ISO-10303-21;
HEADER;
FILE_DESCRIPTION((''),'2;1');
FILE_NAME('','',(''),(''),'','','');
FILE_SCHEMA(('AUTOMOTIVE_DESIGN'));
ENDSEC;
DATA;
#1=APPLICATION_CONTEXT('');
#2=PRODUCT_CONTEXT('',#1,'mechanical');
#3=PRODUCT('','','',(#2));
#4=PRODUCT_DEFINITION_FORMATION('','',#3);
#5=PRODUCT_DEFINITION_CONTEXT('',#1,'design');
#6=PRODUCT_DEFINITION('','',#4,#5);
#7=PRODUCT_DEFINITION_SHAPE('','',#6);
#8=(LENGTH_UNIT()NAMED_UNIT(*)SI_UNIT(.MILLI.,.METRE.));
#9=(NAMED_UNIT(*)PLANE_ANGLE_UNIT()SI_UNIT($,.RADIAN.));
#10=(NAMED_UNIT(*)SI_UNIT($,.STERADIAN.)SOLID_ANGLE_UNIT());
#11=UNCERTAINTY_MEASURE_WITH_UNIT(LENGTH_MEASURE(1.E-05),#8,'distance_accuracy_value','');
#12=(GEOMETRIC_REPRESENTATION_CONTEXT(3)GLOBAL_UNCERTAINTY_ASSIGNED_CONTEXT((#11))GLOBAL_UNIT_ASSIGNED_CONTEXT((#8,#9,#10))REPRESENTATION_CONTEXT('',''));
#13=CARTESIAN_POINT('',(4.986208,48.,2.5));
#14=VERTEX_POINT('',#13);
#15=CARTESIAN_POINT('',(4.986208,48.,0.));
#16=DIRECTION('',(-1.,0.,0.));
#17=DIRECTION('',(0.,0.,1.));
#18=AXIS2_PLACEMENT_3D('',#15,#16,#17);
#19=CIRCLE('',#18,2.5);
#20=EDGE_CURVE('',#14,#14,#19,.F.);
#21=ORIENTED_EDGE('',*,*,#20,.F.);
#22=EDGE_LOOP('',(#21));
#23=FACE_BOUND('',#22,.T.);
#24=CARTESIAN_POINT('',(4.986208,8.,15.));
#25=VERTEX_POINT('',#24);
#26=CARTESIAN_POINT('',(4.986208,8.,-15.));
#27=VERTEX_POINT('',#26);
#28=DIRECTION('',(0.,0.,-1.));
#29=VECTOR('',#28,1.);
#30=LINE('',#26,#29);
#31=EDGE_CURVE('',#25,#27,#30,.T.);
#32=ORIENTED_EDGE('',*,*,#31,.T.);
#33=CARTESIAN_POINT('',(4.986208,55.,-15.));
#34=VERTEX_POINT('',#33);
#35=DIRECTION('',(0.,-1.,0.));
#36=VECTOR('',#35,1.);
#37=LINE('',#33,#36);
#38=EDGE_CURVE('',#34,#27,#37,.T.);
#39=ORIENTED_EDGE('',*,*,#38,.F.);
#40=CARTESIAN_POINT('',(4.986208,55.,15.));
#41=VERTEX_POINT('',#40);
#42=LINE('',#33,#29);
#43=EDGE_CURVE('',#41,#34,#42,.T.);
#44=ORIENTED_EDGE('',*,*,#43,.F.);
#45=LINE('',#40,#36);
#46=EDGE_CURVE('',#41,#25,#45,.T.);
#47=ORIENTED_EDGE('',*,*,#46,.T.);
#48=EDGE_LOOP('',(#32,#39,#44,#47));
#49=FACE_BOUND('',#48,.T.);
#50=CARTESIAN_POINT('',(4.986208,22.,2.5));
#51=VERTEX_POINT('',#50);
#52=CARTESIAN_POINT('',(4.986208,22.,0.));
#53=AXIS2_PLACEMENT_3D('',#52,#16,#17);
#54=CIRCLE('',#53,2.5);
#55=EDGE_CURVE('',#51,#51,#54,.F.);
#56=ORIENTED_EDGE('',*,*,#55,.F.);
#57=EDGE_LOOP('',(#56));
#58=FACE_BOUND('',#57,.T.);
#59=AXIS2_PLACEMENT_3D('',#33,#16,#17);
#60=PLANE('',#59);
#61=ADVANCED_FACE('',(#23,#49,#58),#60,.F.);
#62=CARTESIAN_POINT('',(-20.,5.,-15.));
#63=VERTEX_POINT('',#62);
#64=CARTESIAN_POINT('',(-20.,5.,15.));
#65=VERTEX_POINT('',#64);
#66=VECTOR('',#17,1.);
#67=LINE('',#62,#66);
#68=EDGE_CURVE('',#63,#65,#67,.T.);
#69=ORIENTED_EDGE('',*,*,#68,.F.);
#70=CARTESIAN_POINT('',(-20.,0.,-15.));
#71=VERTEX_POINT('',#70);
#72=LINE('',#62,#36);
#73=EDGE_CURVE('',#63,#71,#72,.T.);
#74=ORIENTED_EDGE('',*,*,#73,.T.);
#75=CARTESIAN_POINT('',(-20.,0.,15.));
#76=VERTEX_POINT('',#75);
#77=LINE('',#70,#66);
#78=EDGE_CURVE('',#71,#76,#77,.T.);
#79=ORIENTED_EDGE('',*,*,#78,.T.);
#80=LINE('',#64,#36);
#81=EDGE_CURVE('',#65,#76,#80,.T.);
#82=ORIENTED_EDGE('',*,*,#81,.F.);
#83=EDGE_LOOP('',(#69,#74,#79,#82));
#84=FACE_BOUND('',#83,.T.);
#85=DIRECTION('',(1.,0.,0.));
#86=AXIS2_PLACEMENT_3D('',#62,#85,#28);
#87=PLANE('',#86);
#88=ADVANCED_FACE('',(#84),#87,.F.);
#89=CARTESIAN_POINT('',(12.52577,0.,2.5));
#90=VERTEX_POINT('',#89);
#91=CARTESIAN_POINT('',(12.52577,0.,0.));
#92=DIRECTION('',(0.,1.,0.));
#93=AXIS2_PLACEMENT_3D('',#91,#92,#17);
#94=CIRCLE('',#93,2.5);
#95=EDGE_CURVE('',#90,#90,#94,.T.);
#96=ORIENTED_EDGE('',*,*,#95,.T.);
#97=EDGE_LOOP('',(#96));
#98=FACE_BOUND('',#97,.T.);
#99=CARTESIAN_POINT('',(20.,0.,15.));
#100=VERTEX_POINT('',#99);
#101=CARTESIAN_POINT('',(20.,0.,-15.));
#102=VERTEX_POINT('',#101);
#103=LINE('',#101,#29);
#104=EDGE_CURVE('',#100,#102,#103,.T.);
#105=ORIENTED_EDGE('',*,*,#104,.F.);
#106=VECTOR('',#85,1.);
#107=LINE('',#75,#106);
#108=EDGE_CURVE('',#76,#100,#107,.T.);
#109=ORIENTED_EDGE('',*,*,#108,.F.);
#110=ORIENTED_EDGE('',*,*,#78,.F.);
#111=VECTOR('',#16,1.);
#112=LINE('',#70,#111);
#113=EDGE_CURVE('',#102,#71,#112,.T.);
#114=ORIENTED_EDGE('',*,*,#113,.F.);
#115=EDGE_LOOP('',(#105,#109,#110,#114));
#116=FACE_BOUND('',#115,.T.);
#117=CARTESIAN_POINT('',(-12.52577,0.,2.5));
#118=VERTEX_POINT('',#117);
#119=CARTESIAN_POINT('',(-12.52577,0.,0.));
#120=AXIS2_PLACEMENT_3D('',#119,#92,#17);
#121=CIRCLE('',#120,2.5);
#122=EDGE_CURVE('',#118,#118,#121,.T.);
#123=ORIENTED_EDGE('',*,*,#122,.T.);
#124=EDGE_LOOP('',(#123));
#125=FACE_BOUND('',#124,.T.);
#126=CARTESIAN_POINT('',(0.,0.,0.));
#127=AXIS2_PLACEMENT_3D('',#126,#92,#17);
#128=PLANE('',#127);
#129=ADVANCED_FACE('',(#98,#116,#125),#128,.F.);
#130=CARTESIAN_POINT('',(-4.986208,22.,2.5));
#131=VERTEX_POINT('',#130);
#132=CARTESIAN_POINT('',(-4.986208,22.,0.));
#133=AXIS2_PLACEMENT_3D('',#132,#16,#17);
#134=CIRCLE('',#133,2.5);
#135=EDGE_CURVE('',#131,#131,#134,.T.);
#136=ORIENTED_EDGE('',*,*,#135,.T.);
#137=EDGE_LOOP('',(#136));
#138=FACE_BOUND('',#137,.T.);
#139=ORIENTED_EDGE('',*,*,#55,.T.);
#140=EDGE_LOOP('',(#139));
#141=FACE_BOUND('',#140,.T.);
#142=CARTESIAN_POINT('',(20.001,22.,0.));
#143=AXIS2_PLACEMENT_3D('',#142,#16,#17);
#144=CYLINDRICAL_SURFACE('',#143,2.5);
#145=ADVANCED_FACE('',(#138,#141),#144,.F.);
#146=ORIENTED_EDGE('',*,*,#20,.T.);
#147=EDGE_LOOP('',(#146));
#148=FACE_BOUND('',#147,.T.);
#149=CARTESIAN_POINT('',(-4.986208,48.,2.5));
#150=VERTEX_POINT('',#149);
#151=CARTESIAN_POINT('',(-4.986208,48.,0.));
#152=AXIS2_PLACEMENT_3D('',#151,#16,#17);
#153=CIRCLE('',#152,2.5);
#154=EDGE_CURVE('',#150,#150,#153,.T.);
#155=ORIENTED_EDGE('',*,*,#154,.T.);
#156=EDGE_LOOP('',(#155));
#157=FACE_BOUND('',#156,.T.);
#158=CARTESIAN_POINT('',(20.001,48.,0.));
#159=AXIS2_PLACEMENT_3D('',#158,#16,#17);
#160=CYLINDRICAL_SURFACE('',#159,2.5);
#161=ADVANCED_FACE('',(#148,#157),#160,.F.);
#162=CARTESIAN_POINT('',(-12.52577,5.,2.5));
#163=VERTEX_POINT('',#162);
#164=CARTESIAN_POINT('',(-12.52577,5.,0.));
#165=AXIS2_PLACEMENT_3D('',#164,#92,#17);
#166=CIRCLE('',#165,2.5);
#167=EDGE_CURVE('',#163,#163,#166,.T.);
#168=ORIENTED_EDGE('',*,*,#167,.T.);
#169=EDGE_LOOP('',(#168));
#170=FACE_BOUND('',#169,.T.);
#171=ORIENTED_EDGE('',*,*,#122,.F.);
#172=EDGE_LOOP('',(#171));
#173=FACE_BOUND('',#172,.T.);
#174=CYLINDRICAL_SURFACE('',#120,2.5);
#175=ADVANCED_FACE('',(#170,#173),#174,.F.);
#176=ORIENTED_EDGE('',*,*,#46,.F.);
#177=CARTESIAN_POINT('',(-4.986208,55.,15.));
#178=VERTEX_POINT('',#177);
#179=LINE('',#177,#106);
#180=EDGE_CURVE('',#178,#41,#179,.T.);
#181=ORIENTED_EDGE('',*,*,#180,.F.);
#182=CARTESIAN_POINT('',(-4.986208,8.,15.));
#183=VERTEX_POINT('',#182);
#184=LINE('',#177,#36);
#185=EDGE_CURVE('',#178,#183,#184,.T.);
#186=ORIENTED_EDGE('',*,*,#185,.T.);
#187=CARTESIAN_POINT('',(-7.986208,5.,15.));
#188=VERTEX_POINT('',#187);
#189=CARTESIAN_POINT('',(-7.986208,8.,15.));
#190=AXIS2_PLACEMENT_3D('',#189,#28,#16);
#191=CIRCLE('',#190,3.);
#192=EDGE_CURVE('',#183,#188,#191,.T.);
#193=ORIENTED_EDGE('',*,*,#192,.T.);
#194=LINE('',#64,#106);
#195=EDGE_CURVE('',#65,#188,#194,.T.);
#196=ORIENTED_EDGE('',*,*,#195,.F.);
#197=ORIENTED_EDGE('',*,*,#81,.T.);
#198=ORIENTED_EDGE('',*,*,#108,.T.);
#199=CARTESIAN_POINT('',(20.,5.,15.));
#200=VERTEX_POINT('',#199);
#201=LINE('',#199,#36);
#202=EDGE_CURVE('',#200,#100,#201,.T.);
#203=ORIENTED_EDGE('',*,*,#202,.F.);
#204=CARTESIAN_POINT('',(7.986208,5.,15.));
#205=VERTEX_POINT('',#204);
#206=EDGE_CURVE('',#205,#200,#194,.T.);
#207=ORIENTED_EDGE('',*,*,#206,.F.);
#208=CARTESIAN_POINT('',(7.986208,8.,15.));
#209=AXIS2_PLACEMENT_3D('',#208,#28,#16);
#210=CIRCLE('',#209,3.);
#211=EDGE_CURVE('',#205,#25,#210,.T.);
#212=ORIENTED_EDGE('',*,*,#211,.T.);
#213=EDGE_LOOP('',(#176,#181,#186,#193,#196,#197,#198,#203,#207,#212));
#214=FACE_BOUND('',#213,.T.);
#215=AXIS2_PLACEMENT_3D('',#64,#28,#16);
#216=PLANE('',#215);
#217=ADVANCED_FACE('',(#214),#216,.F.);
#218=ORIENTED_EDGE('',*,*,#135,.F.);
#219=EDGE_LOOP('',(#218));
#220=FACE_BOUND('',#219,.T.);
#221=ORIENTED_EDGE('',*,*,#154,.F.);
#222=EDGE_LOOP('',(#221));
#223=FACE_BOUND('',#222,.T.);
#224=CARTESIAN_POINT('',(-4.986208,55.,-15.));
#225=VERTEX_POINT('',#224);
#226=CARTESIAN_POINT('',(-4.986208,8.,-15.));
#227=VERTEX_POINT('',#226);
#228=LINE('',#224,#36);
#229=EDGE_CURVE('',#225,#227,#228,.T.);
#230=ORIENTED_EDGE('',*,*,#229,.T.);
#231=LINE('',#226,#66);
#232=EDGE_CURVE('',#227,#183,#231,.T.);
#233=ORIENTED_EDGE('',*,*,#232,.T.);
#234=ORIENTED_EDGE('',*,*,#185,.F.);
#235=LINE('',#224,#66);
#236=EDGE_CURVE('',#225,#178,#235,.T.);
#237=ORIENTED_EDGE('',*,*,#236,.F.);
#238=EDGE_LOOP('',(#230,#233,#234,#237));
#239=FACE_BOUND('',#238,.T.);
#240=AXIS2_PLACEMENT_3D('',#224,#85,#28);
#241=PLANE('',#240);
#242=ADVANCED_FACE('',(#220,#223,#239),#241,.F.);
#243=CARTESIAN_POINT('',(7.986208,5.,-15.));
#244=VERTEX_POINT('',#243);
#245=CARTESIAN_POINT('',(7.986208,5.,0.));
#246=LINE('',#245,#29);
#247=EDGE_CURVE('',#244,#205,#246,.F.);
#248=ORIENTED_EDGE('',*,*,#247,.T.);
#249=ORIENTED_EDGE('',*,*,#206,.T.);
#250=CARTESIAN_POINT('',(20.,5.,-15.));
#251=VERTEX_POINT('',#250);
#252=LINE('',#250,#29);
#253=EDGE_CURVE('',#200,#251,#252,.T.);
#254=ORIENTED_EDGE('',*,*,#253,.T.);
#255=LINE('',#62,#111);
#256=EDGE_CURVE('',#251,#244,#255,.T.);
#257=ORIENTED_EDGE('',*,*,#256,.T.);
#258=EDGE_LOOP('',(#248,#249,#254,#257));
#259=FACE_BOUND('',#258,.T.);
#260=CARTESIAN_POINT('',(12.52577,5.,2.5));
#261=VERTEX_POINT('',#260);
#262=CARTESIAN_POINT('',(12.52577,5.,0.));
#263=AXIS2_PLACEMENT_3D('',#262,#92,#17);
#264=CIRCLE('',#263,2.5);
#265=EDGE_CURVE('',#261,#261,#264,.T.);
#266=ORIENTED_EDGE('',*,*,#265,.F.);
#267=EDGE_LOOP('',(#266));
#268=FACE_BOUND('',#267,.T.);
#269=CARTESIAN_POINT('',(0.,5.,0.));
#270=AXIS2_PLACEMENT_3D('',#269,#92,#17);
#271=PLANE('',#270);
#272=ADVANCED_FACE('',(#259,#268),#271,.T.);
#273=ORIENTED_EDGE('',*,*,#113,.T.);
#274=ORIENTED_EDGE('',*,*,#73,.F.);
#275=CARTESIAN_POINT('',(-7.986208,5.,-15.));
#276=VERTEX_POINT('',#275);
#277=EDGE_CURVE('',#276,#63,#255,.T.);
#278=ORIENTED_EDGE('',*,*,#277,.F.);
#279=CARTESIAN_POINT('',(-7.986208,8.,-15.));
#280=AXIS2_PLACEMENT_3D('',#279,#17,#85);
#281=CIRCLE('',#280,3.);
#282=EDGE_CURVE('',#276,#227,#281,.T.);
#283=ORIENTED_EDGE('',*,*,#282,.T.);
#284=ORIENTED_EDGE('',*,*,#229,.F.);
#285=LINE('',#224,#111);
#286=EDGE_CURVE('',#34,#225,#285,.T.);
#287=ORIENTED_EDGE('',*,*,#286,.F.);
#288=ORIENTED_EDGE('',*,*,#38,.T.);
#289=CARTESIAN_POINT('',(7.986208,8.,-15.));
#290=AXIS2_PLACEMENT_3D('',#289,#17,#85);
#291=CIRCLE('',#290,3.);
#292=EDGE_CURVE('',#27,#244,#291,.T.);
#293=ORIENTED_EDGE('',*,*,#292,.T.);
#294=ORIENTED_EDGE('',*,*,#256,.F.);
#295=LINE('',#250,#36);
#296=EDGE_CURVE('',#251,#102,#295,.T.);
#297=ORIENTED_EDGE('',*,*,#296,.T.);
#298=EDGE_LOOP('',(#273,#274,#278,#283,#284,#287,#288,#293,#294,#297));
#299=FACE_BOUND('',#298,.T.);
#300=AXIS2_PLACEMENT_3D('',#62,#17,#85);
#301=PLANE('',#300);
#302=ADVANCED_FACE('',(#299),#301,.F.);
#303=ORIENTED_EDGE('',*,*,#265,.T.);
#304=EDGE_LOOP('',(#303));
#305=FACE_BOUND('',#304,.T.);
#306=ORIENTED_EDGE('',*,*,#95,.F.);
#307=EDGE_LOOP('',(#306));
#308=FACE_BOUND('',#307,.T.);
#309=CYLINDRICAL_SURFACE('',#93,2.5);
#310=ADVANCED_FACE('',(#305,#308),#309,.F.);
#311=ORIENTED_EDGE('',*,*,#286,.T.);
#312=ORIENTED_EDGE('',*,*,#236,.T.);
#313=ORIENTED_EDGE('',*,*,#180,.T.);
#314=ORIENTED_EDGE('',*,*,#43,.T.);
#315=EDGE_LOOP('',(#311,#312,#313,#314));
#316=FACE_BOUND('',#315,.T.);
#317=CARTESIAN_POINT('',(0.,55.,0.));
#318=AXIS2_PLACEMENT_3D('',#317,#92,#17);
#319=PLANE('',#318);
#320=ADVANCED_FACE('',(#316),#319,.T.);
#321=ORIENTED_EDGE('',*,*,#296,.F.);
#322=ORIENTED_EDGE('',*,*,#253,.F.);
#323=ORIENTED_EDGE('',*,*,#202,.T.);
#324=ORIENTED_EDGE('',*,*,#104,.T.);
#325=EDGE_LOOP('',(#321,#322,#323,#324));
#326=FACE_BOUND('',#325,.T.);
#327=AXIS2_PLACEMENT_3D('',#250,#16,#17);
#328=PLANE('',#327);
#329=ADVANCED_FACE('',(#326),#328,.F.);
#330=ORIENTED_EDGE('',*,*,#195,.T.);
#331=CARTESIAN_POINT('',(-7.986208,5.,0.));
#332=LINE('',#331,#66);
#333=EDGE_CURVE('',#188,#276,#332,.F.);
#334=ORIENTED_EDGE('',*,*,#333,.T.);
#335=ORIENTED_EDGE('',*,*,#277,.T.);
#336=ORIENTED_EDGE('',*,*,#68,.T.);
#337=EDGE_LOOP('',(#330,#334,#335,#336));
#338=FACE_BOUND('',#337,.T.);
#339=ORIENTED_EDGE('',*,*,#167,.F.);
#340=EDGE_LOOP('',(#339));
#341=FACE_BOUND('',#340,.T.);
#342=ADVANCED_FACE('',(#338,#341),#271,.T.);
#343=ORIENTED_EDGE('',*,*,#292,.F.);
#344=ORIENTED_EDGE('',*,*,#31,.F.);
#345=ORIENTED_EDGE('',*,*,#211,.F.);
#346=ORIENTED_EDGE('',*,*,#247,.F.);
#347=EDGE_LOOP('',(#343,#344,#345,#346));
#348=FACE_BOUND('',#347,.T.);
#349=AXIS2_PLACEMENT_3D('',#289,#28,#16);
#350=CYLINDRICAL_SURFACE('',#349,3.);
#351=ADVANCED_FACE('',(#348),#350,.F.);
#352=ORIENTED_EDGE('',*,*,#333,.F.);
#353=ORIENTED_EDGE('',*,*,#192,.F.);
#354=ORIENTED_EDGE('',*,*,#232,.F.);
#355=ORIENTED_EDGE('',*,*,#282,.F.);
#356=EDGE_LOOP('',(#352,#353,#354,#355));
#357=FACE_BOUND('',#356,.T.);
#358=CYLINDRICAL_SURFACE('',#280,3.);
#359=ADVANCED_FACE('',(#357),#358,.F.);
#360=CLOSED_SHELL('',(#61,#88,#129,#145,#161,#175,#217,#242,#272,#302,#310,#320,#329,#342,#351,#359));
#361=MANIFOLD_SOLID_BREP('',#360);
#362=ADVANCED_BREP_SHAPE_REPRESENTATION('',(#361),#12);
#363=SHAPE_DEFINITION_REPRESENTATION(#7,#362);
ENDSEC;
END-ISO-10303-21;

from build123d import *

# Parameters (mm, degrees)
SKETCH1_W           = 40
SKETCH1_H           = 30
BOSS_EXTRUDE1_DEPTH = 5
SKETCH2_W           = 9.972415548
SKETCH2_H           = 30
BOSS_EXTRUDE2_DEPTH = 50
SKETCH3_R           = 2.5
CUT_EXTRUDE1_DEPTH  = 56.901699437
CUT_EXTRUDE2_REACH  = 64.244
SKETCH5_R           = 2.5
FILLET1_R           = 3


with BuildPart() as part:
    # Sketch1 → Boss-Extrude1 (new body)
    with BuildSketch(Plane(origin=(0, 0, 0), x_dir=(1, 0, 0), z_dir=(0, 1, 0))):
        Rectangle(SKETCH1_W, SKETCH1_H)
    extrude(amount=BOSS_EXTRUDE1_DEPTH)

    # Sketch2 → Boss-Extrude2 (add)
    with BuildSketch(Plane(origin=(0, 5, 0), x_dir=(1, 0, 0), z_dir=(0, 1, 0))):
        Rectangle(SKETCH2_W, SKETCH2_H)
    extrude(amount=BOSS_EXTRUDE2_DEPTH)

    # Sketch3 → Cut-Extrude1 (cut, through all)
    with BuildSketch(Plane(origin=(0, 5, 0), x_dir=(1, 0, 0), z_dir=(0, 1, 0))):
        with Locations(Location((-12.525769612, 0, 0), (0, 0, 270))):
            Circle(SKETCH3_R)
        with Locations(Location((12.525769612, 0, 0), (0, 0, 270))):
            Circle(SKETCH3_R)
    extrude(amount=-CUT_EXTRUDE1_DEPTH, mode=Mode.SUBTRACT)

    # Sketch5 → Cut-Extrude2 (cut, up to next)
    with BuildSketch(Plane.ZY.offset(4.986207774), mode=Mode.PRIVATE) as cut_extrude2_sk1:
        with Locations((0, 48)):
            Circle(SKETCH5_R)
    cut_extrude2_tool1 = extrude(cut_extrude2_sk1.sketch, amount=-CUT_EXTRUDE2_REACH, mode=Mode.PRIVATE) & part.part
    # Sketch5 → Cut-Extrude2 (cut, up to next)
    with BuildSketch(Plane.ZY.offset(4.986207774), mode=Mode.PRIVATE) as cut_extrude2_sk2:
        with Locations((0, 22)):
            Circle(SKETCH5_R)
    cut_extrude2_tool2 = extrude(cut_extrude2_sk2.sketch, amount=-CUT_EXTRUDE2_REACH, mode=Mode.PRIVATE) & part.part
    add(cut_extrude2_tool1.solids().sort_by_distance((-4.986208, 48, 0))[0], mode=Mode.SUBTRACT)
    add(cut_extrude2_tool2.solids().sort_by_distance((-4.986208, 22, 0))[0], mode=Mode.SUBTRACT)

    # Fillet1
    fillet1_edges = [part.edges().sort_by_distance(p)[0] for p in [
        (4.986207774, 5, 0),
        (-4.986207774, 5, 0),
    ]]
    fillet(fillet1_edges, radius=FILLET1_R)


solid = part.part
